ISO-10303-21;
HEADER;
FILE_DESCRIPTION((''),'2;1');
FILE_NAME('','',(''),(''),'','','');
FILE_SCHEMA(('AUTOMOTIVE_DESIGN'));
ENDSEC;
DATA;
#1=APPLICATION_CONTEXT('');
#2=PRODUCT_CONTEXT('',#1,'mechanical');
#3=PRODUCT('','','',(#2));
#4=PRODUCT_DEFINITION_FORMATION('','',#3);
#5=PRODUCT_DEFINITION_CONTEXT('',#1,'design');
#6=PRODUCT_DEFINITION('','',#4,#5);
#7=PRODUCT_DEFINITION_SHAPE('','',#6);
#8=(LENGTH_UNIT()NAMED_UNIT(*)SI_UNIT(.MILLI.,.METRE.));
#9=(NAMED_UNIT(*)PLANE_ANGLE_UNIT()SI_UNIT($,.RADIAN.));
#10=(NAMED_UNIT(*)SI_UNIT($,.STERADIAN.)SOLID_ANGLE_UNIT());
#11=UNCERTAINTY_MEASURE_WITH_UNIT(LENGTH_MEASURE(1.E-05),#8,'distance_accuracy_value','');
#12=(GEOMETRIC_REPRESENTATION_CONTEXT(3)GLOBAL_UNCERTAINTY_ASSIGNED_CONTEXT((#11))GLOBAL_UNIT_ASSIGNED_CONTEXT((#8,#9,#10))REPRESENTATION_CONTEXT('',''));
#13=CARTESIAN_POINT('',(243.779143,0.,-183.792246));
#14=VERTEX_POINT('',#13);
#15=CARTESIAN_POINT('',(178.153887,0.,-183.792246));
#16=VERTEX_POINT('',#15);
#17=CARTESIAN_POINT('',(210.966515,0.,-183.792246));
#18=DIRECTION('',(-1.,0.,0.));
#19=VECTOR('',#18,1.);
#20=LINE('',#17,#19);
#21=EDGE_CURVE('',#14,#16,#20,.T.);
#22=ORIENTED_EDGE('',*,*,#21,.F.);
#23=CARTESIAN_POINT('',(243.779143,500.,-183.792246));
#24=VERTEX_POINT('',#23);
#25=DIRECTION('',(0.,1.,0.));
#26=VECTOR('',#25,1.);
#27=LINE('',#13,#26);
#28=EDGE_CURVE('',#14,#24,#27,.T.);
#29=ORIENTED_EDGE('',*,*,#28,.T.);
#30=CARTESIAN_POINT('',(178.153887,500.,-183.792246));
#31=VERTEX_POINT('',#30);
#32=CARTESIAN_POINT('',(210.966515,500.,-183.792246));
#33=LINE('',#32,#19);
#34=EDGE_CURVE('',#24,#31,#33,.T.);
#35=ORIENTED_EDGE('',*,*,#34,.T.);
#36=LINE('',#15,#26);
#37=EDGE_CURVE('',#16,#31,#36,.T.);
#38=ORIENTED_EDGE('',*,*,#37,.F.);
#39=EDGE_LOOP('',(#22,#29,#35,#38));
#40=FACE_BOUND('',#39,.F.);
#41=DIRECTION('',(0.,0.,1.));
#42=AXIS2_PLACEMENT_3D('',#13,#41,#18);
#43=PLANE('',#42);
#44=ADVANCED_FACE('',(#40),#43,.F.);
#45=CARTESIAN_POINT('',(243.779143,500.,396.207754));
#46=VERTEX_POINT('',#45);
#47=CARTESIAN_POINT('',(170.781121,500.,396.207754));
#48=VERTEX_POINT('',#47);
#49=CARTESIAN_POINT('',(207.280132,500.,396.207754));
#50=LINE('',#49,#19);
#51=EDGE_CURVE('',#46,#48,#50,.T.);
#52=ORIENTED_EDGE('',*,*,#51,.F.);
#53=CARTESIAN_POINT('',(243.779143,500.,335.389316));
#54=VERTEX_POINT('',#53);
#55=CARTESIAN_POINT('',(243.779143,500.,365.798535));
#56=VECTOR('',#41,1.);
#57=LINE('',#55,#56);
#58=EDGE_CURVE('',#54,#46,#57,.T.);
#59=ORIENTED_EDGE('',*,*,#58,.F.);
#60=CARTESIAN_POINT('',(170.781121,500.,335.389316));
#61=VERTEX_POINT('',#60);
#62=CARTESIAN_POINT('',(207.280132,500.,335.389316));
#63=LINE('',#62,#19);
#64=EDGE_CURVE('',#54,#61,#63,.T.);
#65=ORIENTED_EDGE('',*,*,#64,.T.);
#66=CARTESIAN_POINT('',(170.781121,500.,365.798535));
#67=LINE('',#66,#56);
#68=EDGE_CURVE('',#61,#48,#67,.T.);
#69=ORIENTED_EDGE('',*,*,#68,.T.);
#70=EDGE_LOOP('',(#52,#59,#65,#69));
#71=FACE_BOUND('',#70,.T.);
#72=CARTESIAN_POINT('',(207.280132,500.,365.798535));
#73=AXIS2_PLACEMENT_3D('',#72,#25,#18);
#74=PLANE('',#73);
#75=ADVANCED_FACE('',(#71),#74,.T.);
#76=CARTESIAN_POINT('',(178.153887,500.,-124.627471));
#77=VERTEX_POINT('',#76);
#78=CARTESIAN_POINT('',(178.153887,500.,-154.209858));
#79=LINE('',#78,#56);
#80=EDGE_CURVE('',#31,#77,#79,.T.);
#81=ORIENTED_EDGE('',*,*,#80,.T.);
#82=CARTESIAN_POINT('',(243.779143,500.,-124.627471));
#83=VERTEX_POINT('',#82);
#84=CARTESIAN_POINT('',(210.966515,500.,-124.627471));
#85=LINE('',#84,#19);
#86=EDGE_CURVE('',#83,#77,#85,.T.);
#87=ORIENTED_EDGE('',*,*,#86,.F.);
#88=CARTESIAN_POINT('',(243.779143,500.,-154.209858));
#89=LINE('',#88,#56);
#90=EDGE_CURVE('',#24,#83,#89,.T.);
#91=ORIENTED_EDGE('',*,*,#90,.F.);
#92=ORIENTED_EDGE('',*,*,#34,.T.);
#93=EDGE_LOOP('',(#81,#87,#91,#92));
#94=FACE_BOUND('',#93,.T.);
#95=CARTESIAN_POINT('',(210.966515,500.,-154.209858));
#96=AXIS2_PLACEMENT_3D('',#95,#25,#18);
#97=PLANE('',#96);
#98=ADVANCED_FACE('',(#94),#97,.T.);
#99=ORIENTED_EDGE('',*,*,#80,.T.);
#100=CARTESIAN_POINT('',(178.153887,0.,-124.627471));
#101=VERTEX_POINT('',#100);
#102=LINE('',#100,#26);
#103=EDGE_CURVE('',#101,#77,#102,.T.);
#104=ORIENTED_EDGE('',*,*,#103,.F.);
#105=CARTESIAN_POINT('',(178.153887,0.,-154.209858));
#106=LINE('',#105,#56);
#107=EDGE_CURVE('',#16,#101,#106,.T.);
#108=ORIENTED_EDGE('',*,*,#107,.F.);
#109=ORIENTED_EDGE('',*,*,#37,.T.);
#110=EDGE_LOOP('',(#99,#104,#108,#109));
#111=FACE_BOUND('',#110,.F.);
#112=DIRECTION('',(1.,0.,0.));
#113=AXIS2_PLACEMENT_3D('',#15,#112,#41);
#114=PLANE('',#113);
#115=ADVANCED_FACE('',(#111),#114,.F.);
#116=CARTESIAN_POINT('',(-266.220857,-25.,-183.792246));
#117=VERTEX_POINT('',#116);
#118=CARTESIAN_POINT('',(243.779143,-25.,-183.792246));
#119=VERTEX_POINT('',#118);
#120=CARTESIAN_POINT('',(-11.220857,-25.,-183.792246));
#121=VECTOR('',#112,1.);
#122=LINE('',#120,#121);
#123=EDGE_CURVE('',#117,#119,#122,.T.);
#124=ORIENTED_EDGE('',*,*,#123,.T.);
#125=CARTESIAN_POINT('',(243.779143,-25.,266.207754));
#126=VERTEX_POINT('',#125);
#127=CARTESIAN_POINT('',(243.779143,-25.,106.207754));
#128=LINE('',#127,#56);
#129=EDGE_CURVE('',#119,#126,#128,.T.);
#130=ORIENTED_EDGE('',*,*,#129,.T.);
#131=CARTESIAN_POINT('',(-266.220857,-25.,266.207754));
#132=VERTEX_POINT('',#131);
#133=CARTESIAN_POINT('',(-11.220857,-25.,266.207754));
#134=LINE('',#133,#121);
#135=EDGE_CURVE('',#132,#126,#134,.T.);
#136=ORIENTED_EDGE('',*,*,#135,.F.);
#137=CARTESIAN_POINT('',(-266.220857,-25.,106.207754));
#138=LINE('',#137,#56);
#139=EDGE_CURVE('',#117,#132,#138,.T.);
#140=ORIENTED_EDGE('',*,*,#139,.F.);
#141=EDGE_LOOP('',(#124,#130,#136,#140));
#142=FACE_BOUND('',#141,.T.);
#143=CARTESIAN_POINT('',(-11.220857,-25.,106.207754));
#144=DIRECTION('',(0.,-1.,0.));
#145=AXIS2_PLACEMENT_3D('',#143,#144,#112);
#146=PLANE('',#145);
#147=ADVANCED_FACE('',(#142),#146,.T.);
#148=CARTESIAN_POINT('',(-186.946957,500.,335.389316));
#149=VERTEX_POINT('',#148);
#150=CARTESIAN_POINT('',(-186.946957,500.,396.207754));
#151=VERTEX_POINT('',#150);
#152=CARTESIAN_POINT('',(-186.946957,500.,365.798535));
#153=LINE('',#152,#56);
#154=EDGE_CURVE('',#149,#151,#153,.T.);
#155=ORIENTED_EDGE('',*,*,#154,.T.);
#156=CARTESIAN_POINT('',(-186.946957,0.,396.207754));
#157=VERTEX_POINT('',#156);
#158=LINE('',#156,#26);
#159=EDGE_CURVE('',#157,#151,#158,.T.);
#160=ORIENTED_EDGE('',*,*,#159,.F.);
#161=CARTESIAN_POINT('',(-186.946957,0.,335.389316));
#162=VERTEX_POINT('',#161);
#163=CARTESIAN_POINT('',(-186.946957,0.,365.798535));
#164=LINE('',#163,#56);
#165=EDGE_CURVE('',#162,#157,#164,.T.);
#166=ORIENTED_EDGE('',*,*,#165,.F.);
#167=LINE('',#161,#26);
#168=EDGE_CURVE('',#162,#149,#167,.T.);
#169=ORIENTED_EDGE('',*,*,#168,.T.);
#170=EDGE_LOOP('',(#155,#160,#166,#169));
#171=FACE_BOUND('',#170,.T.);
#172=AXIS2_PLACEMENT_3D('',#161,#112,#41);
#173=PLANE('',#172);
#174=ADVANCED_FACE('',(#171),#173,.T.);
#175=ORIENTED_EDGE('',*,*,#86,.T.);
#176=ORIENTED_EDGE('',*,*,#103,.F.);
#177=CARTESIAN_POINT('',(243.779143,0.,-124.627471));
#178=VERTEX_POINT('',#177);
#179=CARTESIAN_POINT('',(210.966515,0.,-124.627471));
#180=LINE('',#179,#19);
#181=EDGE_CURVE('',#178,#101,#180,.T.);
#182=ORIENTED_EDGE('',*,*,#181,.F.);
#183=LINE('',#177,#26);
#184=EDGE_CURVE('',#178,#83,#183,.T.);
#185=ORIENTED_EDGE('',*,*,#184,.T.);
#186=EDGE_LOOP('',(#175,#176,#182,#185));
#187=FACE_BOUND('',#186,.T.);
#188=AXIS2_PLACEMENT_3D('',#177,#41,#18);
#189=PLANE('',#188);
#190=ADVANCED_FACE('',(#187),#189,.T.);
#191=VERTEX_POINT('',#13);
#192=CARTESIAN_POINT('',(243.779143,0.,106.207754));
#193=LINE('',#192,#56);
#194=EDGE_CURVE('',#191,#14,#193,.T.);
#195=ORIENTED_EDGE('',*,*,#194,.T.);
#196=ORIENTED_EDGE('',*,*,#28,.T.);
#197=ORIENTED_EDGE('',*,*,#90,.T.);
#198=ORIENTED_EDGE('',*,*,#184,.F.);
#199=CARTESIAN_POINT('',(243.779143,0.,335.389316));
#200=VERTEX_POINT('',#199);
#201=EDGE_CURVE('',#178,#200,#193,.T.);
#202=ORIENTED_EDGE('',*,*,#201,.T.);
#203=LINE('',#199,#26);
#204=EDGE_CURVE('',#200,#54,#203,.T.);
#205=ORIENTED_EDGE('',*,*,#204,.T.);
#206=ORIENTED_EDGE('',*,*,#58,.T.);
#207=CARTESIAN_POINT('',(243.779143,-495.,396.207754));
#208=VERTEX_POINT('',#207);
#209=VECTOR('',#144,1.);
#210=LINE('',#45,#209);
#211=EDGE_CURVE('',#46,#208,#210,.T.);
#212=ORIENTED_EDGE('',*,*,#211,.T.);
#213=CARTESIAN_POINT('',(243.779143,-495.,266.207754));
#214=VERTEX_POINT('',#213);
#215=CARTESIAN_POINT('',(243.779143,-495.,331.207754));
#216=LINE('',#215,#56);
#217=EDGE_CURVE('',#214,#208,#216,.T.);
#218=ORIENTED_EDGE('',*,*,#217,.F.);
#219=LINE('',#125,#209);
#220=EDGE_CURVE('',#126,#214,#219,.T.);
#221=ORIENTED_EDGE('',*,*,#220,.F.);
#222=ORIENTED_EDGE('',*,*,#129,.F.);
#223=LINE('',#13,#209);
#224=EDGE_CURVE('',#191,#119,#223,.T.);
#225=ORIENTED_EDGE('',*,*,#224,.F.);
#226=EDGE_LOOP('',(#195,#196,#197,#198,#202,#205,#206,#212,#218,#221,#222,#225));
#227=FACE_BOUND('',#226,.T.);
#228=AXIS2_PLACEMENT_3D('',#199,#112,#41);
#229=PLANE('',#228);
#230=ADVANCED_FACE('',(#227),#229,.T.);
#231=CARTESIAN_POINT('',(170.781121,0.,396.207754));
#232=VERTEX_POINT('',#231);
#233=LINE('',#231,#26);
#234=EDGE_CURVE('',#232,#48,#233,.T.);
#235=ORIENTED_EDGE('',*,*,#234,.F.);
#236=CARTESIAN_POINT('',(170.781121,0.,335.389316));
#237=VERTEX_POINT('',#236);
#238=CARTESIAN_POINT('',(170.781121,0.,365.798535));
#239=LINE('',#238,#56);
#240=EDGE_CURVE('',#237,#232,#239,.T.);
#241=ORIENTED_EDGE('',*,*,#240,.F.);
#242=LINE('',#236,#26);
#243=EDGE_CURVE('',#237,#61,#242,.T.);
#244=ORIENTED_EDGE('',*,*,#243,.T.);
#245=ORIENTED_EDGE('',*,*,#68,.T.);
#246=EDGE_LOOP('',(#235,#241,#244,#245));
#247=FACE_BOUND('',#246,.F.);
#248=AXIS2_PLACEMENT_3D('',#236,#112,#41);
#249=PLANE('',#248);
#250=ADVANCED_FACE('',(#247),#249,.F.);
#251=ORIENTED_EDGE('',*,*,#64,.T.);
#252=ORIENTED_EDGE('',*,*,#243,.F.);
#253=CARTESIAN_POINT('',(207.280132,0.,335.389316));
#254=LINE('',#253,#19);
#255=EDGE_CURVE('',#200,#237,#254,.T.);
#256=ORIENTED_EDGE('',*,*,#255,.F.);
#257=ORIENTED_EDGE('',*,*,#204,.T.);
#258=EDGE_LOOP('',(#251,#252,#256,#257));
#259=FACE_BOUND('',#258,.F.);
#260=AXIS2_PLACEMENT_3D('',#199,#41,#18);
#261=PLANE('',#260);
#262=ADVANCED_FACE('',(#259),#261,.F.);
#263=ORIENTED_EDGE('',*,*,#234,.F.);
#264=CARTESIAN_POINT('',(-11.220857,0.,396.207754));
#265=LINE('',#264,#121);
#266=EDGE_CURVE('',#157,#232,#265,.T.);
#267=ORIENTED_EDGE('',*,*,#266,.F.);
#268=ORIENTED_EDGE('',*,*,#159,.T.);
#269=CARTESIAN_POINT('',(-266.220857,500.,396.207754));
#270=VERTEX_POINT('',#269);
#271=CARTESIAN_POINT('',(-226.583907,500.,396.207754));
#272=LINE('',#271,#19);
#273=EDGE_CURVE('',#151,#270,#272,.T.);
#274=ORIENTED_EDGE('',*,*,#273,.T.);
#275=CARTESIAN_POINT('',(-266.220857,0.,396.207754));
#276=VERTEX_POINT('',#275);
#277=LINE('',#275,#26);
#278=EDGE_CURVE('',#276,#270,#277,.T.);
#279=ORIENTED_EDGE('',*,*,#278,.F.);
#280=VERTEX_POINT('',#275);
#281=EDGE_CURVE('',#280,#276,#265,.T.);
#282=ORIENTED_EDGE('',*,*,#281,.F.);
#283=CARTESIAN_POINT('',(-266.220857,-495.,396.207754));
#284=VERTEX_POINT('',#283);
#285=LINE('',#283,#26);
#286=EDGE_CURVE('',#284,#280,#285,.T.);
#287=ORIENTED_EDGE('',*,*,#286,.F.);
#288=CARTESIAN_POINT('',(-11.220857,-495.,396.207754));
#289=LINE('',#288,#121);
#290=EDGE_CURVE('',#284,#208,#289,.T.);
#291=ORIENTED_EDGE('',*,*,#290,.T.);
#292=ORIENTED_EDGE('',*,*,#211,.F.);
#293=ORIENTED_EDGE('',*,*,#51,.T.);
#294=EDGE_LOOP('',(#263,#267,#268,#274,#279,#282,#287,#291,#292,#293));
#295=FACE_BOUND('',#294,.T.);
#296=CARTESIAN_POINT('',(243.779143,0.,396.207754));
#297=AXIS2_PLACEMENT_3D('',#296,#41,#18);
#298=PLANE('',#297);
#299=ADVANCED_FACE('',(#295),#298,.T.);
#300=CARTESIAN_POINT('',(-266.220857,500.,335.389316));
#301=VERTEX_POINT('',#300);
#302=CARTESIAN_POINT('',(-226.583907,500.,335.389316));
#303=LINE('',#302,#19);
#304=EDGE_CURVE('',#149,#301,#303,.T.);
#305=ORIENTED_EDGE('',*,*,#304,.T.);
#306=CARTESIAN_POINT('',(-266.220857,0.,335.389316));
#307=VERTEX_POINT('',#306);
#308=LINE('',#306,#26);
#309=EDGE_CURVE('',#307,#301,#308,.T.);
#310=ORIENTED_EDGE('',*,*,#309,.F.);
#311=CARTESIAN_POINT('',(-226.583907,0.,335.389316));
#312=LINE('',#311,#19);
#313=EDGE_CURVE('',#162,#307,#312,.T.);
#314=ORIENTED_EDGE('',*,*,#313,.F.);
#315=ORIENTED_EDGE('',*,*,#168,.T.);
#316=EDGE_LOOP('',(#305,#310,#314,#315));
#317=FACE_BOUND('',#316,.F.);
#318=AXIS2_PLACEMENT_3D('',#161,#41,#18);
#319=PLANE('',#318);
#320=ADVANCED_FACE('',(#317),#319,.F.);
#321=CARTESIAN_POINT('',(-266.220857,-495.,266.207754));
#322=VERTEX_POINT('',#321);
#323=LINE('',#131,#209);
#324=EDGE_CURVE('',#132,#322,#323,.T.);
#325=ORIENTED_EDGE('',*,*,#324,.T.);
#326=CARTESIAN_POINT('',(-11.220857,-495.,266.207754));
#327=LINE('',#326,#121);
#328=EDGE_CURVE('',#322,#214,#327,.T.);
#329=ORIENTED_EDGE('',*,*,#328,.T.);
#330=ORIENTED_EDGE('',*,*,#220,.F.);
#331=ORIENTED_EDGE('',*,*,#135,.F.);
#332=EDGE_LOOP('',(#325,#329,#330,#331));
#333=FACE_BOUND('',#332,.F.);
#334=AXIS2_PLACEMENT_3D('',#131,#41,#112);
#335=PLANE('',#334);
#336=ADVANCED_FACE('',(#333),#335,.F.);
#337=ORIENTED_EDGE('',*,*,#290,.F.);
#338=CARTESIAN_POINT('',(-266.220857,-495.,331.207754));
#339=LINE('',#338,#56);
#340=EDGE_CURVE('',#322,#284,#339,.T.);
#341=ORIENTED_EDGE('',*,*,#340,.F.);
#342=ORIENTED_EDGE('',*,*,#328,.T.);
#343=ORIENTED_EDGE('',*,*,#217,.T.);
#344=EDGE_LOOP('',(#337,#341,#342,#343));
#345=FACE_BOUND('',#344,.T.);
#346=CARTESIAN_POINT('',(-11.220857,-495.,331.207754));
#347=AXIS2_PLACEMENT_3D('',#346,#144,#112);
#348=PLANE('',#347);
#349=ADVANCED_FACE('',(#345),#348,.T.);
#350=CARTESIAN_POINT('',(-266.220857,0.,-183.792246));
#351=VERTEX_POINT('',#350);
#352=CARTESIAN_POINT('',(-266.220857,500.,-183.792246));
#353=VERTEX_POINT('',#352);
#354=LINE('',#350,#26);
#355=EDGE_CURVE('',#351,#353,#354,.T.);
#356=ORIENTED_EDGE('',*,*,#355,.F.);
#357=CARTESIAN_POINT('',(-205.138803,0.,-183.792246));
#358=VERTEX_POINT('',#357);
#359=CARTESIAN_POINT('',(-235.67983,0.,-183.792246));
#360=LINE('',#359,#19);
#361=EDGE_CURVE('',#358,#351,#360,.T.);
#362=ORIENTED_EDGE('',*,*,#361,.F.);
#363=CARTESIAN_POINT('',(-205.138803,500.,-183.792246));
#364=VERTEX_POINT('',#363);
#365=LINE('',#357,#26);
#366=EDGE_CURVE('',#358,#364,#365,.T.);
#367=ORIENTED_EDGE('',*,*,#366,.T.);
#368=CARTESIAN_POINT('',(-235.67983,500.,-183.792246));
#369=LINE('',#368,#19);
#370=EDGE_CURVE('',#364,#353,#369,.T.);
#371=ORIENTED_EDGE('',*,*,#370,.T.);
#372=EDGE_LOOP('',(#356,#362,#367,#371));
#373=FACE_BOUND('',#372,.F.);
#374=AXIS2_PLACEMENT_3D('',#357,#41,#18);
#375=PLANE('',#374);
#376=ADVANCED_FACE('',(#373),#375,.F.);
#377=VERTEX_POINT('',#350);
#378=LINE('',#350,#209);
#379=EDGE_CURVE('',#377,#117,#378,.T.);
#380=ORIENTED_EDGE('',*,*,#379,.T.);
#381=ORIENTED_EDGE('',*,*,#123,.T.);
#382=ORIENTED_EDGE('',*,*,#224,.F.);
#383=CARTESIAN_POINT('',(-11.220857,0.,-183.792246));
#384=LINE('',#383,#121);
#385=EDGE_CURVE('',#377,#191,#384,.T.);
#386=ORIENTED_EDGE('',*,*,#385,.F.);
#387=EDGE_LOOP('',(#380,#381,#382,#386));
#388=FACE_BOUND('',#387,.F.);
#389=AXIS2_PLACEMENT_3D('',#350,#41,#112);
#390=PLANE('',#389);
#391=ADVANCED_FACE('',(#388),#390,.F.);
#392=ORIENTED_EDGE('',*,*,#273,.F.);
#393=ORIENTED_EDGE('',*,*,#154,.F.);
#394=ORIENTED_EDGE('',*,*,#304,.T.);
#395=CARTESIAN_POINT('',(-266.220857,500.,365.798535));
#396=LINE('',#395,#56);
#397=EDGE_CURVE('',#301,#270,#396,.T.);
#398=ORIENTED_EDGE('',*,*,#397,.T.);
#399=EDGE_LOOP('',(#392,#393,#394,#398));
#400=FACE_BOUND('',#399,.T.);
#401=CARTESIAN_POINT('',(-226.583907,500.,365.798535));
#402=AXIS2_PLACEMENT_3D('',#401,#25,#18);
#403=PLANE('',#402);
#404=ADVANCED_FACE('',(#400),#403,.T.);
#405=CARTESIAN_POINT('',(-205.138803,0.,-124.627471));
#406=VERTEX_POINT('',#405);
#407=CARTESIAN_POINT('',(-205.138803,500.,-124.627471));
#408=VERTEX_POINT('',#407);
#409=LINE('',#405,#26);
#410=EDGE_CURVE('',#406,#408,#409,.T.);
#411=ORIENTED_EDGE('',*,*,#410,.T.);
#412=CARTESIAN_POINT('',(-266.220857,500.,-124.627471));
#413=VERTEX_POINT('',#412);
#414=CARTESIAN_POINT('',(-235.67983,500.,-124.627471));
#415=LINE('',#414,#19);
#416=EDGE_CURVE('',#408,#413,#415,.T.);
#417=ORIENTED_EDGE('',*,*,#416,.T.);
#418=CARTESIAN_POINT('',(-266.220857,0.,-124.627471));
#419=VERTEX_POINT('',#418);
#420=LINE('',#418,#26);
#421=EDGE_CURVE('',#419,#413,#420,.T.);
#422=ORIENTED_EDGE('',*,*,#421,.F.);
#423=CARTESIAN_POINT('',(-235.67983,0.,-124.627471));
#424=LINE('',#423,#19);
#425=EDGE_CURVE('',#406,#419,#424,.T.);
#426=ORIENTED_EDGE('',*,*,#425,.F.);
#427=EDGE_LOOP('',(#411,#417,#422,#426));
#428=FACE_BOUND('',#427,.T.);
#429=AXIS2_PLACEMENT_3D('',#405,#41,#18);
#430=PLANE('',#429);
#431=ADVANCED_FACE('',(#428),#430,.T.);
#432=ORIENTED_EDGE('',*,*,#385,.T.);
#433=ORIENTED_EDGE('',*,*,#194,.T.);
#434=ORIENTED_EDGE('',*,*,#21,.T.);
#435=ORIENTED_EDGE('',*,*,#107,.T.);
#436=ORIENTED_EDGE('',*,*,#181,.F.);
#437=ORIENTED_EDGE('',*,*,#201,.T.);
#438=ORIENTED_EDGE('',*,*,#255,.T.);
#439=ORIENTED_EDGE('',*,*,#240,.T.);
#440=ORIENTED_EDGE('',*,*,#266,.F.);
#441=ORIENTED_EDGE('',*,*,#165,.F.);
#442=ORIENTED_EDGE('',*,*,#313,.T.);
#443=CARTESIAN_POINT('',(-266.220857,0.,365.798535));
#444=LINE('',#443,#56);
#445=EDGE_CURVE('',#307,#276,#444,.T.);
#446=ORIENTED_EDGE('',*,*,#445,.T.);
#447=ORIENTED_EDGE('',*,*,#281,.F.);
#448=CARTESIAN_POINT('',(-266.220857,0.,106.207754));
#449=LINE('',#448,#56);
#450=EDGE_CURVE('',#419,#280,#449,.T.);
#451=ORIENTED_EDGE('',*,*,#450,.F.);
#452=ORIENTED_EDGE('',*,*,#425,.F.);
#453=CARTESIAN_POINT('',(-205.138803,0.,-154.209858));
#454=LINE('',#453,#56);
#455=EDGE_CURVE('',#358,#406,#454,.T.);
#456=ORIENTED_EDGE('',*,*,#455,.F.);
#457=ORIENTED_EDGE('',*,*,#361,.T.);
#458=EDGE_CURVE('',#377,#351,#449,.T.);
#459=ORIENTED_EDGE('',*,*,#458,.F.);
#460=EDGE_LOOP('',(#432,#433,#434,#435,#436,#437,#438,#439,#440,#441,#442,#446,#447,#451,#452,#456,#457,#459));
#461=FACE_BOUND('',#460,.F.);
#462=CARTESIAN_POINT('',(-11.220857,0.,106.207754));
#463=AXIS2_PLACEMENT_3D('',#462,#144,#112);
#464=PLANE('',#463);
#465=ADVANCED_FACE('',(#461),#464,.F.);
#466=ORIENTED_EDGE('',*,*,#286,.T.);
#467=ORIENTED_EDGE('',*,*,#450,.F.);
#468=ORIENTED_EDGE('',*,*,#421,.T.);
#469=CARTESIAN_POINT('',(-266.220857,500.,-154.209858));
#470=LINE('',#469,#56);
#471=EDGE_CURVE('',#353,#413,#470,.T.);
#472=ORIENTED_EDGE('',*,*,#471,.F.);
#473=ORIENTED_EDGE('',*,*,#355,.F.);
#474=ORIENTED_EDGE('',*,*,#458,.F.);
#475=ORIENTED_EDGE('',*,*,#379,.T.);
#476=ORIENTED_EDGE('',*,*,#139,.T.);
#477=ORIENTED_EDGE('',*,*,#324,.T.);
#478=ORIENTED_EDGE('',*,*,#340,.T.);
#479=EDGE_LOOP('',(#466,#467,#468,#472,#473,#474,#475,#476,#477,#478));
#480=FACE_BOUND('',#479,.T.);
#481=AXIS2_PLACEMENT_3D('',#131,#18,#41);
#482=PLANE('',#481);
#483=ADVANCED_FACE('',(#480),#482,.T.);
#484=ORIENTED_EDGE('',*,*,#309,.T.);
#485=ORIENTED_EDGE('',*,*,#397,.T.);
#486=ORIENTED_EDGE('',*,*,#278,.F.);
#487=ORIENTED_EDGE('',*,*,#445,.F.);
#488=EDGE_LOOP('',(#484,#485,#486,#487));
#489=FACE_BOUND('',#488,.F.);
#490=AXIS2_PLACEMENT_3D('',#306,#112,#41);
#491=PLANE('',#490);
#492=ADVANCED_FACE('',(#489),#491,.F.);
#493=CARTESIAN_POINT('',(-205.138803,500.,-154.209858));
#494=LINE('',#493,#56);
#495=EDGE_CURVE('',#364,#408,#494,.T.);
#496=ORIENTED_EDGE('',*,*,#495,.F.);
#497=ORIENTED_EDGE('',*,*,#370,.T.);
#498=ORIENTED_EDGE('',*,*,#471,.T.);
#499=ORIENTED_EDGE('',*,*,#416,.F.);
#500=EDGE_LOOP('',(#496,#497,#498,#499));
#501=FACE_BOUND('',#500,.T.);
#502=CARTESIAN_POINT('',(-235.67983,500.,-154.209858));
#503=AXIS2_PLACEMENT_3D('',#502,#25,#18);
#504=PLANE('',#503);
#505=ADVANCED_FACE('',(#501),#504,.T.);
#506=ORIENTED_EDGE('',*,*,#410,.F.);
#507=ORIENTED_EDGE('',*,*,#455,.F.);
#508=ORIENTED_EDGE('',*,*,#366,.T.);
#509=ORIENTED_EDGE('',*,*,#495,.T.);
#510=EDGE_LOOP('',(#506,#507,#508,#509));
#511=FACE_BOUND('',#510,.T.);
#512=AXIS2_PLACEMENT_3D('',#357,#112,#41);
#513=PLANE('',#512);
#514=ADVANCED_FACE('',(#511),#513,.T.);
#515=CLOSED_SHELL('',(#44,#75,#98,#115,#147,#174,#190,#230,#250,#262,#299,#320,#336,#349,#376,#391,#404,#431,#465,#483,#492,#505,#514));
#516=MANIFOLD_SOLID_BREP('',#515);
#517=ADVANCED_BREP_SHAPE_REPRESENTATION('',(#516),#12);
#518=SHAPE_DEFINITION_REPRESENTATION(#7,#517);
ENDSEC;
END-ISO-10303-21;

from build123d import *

# Parameters (mm, degrees)
F0_W     = 510
F0_H     = 580
F1_DEPTH = 25
F2_W     = 510
F2_H     = 130
F3_DEPTH = 470
F4_W     = 72.998022
F4_H     = 60.818438
F4_W_2   = 79.273899
F4_W_3   = 65.625256
F4_H_2   = 59.164775
F4_W_4   = 61.082054
F5_DEPTH = 500


with BuildPart() as f1:
    # F0 (on Front) → F1 (new body)
    with BuildSketch(Plane.XZ):
        with Locations((-11.220857, 106.207754)):
            Rectangle(F0_W, F0_H)
    extrude(amount=F1_DEPTH)

    # F2 (on face) → F3 (join)
    with BuildSketch(Plane.XZ.offset(25)):
        with Locations((-11.220857, 331.207754)):
            Rectangle(F2_W, F2_H)
    extrude(amount=F3_DEPTH)

    # F4 (on face) → F5 (join)
    with BuildSketch(Plane(origin=(0, 0, 0), x_dir=(-1, 0, 0), z_dir=(0, 1, 0))):
        with Locations((-207.280132, 365.798535)):
            Rectangle(F4_W, F4_H)
        with Locations((226.583907, 365.798535)):
            Rectangle(F4_W_2, F4_H)
        with Locations((-210.966515, -154.209858)):
            Rectangle(F4_W_3, F4_H_2)
        with Locations((235.67983, -154.209858)):
            Rectangle(F4_W_4, F4_H_2)
    extrude(amount=F5_DEPTH)


solid = f1.part
